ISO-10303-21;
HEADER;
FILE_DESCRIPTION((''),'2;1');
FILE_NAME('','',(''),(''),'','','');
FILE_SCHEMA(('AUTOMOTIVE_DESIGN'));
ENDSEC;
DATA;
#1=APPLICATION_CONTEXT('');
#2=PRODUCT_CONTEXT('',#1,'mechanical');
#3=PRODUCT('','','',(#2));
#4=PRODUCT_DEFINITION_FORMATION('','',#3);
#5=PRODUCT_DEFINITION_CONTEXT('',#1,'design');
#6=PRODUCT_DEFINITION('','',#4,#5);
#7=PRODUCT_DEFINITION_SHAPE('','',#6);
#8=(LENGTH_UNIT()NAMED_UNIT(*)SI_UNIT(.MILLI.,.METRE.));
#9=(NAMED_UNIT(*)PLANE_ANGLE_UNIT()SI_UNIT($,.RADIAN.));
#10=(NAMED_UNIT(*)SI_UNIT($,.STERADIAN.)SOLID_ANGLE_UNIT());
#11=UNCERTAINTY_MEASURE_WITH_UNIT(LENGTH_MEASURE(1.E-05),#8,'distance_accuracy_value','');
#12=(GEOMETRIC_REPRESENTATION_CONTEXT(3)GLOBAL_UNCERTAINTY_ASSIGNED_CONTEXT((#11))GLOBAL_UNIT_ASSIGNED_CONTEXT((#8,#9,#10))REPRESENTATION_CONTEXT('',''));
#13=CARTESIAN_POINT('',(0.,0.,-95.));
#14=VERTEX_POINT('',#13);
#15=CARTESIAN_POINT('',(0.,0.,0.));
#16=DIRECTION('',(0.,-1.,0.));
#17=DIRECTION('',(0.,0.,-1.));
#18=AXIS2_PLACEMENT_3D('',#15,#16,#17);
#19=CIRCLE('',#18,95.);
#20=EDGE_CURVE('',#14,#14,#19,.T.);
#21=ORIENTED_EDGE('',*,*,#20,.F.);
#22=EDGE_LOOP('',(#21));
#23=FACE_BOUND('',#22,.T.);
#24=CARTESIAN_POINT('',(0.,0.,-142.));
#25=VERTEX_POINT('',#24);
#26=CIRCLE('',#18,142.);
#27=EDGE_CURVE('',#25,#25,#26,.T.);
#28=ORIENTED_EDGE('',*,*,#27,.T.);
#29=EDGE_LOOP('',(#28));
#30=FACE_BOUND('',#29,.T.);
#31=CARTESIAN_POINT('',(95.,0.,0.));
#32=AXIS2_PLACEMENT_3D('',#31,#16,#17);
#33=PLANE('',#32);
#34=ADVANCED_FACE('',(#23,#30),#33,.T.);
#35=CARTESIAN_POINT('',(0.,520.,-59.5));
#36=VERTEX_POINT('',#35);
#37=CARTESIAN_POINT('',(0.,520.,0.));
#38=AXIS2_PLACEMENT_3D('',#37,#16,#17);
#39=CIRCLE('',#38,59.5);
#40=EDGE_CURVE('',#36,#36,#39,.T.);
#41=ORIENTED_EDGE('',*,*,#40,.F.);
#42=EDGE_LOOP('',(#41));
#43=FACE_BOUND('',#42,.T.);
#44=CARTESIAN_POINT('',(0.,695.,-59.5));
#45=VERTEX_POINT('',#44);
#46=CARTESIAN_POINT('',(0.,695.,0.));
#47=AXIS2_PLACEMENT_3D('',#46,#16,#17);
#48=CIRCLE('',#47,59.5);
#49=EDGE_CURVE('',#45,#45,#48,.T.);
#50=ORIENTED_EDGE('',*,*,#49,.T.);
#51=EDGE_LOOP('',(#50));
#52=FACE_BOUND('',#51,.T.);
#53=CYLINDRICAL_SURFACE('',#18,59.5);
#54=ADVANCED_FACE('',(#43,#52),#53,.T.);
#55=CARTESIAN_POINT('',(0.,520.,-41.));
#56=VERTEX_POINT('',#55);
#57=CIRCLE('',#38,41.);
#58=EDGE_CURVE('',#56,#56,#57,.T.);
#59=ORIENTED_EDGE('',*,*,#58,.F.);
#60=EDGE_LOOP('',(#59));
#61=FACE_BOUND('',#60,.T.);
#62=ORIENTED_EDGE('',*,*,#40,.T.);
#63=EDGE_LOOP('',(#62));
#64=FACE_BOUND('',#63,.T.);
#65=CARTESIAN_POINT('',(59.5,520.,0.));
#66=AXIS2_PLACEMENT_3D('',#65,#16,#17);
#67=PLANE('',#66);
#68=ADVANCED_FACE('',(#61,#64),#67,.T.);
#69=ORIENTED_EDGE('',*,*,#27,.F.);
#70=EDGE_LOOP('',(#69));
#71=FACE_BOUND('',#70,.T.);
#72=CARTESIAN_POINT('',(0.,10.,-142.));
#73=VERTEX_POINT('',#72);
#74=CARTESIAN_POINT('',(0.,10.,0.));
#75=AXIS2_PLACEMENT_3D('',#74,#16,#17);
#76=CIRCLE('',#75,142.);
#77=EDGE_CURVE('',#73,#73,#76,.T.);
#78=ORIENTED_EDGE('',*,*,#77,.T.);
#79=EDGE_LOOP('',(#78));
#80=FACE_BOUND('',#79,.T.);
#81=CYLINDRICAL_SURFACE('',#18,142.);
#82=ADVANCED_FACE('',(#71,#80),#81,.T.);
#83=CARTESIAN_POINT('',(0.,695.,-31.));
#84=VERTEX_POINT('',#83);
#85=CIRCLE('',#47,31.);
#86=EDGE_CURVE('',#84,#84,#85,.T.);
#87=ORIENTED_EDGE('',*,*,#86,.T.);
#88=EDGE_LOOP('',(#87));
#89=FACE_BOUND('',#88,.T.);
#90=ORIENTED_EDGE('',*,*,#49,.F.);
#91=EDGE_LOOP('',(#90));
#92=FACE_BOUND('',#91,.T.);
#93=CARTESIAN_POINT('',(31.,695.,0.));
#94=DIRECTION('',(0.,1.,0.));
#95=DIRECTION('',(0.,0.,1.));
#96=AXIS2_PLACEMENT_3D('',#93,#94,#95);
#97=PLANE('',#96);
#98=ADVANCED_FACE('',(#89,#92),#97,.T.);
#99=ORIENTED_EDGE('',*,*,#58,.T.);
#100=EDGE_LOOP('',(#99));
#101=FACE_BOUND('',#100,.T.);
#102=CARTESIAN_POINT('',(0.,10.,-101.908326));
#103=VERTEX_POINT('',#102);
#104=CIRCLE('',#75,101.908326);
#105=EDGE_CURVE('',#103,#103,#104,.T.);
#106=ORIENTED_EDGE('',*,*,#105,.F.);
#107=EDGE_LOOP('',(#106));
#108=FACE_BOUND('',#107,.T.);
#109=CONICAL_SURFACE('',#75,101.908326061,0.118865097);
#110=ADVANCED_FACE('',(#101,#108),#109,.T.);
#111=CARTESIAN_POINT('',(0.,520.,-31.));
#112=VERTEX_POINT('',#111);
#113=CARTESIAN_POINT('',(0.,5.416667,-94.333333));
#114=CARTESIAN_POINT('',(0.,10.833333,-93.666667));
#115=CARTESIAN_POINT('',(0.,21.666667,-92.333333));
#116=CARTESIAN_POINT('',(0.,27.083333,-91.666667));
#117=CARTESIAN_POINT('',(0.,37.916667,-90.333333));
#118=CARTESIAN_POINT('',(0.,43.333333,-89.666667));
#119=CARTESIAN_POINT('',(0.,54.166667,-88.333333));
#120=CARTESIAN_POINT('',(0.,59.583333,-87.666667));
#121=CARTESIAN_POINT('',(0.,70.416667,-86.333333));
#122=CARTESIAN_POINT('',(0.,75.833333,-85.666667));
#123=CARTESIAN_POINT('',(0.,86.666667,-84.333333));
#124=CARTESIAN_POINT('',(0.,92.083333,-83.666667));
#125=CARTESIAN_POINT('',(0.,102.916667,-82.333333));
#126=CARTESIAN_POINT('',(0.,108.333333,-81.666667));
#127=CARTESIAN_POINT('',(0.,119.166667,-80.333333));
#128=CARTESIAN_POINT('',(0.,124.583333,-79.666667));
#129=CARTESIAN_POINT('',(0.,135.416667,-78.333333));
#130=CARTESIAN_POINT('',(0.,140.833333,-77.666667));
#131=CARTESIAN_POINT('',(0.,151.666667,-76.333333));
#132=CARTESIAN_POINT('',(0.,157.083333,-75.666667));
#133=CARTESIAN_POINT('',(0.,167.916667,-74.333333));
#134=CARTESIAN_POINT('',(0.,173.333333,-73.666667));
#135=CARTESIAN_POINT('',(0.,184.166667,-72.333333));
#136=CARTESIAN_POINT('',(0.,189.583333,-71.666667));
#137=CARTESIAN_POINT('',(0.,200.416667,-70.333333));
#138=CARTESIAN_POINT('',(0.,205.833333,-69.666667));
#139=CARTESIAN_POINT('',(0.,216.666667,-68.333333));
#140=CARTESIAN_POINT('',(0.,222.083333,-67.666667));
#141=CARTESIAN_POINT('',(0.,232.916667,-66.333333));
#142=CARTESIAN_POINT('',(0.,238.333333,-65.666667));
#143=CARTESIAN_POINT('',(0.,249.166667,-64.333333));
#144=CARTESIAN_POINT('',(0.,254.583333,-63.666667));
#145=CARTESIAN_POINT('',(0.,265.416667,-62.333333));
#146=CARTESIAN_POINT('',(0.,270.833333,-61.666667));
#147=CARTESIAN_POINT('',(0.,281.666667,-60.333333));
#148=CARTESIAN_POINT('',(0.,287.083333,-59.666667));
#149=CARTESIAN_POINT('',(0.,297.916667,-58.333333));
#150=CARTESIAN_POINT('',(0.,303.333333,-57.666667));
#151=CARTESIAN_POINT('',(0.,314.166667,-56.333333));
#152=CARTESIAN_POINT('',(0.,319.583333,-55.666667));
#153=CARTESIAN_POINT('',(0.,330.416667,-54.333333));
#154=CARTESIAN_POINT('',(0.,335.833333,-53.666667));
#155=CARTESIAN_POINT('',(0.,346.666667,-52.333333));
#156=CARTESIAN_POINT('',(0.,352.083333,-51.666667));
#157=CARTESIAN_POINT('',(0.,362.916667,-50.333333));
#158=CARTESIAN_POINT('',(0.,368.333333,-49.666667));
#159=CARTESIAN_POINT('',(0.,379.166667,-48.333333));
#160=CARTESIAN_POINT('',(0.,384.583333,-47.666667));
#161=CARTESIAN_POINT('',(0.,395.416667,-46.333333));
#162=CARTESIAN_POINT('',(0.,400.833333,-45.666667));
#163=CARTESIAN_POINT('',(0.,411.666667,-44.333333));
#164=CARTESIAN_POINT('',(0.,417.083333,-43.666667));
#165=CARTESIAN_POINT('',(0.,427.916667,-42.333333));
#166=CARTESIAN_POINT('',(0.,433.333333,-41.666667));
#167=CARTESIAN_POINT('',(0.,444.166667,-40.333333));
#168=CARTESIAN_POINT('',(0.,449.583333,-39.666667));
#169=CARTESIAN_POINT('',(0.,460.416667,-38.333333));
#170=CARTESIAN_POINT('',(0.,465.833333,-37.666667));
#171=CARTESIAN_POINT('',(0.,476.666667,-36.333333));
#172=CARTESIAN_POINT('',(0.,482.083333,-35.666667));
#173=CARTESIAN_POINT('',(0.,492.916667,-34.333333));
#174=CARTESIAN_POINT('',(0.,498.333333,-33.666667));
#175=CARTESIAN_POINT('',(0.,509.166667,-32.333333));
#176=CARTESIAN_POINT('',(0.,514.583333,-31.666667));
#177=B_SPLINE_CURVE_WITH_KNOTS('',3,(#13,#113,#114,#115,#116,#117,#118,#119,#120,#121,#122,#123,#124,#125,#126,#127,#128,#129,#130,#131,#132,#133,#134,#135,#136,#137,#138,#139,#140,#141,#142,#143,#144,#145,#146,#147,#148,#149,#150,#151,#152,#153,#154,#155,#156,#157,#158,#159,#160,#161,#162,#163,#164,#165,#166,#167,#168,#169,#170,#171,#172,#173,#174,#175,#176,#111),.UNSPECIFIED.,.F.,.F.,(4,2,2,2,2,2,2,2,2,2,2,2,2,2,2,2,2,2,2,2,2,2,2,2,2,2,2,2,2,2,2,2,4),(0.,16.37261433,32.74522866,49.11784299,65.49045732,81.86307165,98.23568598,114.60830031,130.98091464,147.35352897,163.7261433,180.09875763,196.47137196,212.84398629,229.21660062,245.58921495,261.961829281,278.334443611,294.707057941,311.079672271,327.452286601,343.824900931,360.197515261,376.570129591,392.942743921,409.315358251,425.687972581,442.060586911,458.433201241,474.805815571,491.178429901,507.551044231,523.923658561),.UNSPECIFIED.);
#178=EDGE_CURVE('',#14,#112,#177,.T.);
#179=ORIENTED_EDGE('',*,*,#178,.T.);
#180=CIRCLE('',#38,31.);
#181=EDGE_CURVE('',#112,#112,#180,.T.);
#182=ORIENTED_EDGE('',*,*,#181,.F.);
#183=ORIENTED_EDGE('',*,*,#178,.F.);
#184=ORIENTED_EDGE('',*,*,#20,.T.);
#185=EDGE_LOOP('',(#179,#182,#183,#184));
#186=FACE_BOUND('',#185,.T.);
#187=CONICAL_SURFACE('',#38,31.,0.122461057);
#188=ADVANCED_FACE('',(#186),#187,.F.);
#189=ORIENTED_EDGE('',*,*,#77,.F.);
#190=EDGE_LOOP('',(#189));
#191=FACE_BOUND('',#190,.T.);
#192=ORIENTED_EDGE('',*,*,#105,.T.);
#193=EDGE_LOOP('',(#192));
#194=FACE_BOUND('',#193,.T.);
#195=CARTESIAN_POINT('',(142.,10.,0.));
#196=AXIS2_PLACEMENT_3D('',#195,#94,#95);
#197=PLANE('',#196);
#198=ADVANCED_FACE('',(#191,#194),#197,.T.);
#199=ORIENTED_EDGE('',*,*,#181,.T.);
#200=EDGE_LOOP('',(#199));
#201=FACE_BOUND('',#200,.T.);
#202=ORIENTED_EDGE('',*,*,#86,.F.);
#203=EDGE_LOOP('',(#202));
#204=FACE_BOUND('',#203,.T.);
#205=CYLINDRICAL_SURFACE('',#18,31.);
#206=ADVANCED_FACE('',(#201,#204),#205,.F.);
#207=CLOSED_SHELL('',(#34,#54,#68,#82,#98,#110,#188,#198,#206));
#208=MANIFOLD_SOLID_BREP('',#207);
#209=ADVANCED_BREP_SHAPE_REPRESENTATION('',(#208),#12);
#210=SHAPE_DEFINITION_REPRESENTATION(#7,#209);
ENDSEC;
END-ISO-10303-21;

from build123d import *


with BuildPart() as part:
    # Sketch1 → Revolve2 (revolve)
    with BuildSketch(Plane.XY, mode=Mode.PRIVATE) as revolve2_sk:
        Polygon((31, 695), (59.5, 695), (59.5, 520), (41, 520), (101.908326061, 10), (142, 10), (142, 0), (95, 0), (31, 520), align=None)
    revolve(revolve2_sk.sketch.rotate(Axis((0, 0, 0), (0, 1, 0)), 90), axis=Axis((0, 0, 0), (0, 1, 0)))


solid = part.part
